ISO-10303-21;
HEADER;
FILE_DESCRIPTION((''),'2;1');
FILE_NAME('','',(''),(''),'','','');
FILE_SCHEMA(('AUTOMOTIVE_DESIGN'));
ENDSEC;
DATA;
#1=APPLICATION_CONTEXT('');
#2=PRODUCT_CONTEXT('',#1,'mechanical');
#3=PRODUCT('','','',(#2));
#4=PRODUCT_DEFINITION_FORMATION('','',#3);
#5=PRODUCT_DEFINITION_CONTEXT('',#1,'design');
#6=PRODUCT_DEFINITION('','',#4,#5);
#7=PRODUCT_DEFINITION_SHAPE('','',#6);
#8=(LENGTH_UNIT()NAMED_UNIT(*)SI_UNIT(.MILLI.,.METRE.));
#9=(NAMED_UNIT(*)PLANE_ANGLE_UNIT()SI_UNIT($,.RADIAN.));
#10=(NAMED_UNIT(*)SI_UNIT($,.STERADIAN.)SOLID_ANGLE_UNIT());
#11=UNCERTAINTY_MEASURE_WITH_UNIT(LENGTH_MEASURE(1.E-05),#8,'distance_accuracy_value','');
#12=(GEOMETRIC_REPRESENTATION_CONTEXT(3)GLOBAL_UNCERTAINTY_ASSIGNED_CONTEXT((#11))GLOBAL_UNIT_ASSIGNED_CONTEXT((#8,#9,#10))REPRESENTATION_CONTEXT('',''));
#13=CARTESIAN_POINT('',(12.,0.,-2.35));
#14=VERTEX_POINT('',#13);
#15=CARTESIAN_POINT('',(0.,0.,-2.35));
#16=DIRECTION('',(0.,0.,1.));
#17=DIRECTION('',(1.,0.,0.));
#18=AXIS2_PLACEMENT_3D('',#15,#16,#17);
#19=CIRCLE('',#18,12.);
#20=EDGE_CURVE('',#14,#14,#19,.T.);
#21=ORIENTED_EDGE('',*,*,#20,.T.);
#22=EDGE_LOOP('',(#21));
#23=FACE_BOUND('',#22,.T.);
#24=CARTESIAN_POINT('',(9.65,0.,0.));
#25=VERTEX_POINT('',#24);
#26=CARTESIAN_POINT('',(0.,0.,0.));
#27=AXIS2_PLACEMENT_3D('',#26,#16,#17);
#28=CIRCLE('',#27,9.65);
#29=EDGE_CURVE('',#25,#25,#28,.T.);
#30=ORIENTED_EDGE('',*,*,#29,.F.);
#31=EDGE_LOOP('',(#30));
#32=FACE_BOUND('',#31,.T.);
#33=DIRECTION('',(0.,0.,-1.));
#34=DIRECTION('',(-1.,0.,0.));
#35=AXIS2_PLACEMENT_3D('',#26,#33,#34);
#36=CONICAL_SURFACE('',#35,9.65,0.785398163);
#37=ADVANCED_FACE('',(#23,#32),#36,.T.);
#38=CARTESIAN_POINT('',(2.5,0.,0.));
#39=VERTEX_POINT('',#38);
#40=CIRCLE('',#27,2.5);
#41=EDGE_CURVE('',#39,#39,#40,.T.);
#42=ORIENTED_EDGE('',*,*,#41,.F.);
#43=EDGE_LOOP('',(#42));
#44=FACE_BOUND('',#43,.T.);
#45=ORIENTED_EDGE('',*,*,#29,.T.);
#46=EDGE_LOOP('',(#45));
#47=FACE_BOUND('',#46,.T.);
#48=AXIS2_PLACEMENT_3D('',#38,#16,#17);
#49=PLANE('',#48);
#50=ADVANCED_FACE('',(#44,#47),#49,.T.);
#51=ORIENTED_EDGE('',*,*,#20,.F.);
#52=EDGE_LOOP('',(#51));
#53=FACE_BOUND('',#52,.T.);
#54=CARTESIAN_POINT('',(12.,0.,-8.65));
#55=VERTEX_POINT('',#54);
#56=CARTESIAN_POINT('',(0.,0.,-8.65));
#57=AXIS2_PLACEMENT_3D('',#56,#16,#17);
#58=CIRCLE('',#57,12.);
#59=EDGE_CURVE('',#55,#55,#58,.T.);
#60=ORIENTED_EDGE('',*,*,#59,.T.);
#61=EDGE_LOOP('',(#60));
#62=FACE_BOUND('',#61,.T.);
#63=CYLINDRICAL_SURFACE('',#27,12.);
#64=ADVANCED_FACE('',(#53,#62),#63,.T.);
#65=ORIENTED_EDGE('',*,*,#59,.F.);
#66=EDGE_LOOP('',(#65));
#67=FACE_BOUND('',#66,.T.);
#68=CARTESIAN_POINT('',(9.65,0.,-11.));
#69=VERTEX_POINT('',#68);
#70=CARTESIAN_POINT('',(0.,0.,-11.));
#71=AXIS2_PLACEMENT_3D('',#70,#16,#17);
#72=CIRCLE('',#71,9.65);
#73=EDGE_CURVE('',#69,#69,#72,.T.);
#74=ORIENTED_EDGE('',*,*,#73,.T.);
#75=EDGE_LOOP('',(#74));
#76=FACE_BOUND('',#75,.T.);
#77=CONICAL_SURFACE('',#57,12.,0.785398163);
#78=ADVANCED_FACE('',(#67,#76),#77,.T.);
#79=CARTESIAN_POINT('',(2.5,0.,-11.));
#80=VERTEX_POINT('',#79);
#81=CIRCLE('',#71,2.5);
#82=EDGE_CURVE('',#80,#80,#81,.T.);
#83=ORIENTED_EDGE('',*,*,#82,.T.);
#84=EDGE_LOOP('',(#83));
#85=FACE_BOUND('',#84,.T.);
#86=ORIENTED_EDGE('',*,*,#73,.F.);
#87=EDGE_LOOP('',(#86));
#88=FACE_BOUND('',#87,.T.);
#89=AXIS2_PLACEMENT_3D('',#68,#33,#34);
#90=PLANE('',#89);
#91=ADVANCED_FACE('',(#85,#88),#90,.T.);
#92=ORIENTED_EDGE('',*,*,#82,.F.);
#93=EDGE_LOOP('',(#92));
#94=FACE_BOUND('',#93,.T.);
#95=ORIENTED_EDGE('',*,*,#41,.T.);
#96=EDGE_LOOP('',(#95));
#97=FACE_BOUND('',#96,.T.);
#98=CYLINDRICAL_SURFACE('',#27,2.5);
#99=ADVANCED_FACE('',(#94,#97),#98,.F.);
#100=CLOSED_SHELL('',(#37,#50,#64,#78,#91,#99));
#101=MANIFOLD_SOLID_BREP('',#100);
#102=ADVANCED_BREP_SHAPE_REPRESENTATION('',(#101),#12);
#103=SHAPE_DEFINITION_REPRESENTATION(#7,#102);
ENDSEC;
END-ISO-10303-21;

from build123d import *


with BuildPart() as part:
    # Sketch1 → Revolve1 (revolve)
    with BuildSketch(Plane(origin=(0, 0, 0), x_dir=(1, 0, 0), z_dir=(0, 1, 0))):
        Polygon((2.5, 0), (9.65, 0), (12, 2.35), (12, 8.65), (9.65, 11), (2.5, 11), align=None)
    revolve(axis=Axis((0, 0, 0), (0, 0, -1)))


solid = part.part
